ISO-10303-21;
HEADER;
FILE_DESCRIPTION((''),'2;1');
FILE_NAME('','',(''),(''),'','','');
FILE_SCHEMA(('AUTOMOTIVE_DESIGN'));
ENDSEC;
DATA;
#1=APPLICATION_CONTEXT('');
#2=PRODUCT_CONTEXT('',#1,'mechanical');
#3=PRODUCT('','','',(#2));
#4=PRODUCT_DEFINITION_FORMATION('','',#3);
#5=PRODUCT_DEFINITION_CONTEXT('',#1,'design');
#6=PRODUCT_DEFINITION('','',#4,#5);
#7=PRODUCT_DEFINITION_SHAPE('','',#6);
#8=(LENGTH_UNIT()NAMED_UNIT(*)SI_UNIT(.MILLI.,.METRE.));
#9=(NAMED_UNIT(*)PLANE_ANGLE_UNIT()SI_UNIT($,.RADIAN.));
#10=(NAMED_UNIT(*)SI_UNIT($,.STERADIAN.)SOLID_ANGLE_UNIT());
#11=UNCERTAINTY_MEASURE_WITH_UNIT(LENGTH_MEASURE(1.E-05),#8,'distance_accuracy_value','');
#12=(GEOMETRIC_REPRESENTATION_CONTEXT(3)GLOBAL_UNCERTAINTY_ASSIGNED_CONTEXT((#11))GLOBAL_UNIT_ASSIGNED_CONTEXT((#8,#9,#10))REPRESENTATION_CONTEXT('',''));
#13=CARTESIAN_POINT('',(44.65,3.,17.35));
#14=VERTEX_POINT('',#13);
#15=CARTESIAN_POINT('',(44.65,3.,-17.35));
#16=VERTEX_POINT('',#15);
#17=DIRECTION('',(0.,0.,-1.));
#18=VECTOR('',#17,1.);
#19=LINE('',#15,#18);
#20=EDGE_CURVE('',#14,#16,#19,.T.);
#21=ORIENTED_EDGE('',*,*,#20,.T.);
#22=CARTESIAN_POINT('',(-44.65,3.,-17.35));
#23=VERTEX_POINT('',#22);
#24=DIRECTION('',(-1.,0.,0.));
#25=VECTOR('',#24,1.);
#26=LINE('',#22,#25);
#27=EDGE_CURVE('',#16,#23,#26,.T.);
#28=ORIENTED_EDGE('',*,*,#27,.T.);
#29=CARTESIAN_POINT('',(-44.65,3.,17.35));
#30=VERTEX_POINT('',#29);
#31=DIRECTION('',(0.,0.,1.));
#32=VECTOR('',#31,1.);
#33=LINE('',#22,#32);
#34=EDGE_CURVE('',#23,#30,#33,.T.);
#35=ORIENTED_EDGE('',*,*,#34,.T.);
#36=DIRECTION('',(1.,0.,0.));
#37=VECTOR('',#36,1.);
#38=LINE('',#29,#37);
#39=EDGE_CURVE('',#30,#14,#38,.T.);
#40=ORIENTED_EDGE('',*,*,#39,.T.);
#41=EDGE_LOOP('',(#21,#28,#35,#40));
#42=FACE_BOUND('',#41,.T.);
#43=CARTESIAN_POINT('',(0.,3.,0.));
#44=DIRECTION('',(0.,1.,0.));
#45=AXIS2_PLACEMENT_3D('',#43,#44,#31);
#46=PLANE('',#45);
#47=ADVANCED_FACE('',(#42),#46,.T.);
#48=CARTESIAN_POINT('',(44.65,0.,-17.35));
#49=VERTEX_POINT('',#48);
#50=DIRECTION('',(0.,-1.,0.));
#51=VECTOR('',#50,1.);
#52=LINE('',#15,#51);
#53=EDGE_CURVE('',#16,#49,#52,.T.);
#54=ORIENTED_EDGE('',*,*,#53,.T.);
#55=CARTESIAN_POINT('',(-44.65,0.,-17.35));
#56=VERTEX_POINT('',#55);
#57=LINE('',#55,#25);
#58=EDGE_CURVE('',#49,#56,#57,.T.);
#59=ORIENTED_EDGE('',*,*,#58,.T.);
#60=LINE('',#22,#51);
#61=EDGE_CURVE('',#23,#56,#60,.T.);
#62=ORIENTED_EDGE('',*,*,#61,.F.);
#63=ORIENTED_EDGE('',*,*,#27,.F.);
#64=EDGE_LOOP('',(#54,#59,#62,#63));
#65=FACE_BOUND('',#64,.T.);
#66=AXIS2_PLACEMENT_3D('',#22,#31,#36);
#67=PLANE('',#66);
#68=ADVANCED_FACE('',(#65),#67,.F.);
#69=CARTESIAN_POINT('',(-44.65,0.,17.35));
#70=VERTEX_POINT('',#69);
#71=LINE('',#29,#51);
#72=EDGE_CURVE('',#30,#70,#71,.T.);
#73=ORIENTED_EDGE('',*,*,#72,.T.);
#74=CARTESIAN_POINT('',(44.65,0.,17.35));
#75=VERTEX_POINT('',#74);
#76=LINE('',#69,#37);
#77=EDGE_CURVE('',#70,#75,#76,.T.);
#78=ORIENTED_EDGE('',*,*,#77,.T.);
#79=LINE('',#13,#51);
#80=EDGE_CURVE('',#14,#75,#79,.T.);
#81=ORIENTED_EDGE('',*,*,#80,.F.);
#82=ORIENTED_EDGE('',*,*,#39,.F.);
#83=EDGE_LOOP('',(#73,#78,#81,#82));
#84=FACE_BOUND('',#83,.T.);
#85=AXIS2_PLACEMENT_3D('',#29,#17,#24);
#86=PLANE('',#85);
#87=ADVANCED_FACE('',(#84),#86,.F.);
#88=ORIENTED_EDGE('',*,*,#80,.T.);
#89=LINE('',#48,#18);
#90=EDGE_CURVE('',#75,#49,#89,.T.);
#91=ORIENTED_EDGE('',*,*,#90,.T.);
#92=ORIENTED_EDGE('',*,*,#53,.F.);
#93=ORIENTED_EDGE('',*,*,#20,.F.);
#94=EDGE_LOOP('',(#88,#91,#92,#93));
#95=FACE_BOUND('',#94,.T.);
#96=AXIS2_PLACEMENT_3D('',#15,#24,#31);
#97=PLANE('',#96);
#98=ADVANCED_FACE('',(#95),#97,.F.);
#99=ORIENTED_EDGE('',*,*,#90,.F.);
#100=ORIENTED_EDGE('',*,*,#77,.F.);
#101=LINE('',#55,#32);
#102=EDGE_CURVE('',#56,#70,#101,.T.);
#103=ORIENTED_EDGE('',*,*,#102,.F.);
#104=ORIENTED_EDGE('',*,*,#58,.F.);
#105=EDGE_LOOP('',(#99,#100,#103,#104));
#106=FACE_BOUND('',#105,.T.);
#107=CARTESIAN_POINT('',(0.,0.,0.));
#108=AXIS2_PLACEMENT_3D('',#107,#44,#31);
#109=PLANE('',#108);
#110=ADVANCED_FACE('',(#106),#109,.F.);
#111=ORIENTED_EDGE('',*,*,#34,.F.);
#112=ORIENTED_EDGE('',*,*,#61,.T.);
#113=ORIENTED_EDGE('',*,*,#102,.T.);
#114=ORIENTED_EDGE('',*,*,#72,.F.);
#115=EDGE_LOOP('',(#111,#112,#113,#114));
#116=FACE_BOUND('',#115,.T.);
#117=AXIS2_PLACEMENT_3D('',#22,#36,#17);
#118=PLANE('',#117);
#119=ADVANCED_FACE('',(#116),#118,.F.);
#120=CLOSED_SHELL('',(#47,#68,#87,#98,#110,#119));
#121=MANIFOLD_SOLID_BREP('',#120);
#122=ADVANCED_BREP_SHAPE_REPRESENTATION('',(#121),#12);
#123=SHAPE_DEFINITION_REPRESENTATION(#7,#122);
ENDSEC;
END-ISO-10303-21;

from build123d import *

# Parameters (mm, degrees)
SKETCH1_W           = 89.3
SKETCH1_H           = 34.7
BOSS_EXTRUDE1_DEPTH = 3


with BuildPart() as part:
    # Sketch1 → Boss-Extrude1 (new body)
    with BuildSketch(Plane(origin=(0, 0, 0), x_dir=(1, 0, 0), z_dir=(0, 1, 0))):
        Rectangle(SKETCH1_W, SKETCH1_H)
    extrude(amount=BOSS_EXTRUDE1_DEPTH)


solid = part.part
